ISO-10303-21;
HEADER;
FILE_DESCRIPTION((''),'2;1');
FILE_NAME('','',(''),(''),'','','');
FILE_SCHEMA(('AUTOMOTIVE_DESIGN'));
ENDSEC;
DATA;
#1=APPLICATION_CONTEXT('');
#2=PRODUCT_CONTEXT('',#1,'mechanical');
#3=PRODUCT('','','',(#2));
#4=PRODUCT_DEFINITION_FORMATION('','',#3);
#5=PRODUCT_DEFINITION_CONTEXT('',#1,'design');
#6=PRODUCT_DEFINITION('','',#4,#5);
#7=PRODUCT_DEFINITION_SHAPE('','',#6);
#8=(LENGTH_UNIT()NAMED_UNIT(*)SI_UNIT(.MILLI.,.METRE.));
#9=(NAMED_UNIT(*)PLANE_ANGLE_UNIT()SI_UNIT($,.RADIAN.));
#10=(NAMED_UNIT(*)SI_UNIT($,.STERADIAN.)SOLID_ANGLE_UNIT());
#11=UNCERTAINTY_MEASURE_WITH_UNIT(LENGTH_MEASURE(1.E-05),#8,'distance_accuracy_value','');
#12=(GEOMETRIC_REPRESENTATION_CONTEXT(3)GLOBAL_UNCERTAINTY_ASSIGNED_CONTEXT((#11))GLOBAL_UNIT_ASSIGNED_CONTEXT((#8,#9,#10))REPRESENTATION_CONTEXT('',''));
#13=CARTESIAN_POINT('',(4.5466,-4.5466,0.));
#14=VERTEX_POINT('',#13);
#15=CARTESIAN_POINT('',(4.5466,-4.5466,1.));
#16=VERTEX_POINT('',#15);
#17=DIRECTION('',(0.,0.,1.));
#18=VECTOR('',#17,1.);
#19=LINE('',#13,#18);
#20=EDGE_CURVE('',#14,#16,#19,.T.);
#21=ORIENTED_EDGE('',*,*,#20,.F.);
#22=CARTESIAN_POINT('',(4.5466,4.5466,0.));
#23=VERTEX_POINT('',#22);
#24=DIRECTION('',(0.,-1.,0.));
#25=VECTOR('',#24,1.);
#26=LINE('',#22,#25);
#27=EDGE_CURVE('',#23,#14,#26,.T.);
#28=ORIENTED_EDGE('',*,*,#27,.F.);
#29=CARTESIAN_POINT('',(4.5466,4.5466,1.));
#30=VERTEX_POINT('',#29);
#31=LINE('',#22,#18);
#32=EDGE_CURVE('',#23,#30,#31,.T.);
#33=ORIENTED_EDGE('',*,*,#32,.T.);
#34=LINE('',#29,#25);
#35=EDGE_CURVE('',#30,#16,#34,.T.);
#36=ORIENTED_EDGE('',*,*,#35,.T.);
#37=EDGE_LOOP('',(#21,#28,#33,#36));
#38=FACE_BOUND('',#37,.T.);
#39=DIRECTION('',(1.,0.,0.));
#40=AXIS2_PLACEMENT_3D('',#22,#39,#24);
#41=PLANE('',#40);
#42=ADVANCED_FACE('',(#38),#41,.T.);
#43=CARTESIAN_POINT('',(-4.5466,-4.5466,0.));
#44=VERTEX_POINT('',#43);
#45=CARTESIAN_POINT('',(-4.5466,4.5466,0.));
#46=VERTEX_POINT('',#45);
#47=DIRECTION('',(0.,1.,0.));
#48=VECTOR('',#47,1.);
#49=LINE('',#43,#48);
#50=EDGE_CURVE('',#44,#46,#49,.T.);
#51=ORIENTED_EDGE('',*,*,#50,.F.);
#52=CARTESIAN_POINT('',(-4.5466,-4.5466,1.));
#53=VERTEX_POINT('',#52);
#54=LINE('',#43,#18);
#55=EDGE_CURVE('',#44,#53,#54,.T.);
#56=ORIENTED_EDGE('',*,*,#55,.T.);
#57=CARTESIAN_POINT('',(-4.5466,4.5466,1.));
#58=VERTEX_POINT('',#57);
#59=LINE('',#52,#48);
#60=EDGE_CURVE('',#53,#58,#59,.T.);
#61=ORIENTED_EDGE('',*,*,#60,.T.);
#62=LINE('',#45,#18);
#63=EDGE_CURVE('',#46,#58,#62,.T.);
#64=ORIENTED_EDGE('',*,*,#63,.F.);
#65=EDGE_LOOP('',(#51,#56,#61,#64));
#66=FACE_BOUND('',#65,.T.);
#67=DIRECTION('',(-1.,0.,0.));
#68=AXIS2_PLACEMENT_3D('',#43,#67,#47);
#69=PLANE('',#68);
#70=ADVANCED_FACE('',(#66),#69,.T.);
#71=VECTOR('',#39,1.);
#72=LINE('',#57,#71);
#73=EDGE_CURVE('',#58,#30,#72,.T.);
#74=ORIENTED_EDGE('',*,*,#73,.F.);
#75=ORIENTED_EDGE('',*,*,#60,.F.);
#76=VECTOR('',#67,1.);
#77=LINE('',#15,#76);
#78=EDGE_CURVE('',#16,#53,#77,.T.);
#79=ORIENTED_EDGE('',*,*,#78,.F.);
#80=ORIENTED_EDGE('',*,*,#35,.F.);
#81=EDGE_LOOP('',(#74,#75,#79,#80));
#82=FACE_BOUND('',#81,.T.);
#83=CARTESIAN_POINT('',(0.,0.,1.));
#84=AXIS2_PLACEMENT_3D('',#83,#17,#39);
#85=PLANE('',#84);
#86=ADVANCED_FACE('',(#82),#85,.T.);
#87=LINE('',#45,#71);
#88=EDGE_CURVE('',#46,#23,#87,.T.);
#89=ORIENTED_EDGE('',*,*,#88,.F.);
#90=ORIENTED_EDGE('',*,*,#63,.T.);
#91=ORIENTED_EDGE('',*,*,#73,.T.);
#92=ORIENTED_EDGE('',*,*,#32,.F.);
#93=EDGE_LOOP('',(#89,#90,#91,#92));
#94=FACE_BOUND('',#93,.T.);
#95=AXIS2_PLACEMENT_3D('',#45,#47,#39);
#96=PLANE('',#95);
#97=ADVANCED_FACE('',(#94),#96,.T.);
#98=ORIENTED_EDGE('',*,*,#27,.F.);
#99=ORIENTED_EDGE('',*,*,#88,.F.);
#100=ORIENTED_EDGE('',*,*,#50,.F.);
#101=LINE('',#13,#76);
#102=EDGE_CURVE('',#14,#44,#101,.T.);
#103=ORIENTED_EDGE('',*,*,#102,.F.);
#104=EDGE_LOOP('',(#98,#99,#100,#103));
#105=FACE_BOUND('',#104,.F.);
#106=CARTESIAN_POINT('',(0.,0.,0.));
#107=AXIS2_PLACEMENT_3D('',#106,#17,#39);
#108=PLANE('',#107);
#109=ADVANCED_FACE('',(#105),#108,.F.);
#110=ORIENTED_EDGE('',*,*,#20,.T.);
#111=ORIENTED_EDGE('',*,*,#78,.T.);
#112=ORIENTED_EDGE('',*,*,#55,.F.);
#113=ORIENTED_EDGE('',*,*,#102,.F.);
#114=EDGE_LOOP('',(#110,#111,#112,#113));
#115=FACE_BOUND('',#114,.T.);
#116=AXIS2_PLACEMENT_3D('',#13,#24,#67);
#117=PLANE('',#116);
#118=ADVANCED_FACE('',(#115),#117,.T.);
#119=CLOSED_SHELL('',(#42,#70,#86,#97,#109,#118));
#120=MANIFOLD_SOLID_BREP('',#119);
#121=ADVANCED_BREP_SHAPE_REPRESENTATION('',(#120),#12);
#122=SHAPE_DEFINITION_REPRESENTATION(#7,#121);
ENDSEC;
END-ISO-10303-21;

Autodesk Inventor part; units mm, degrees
ref_plane "YZ Plane" through (0, 0, 0) normal (1, 0, 0) x (0, 1, 0)
ref_plane "XZ Plane" through (0, 0, 0) normal (0, 1, 0) x (-1, 0, 0)
ref_plane "XY Plane" through (0, 0, 0) normal (0, 0, 1) x (1, 0, 0)
sketch "TQFP32-08, MEGA8-AI_19" plane through (0, 0, 0) normal (0, 0, 1) x (1, 0, 0)
  line L0 (-4.5466, 4.5466) -> (4.5466, 4.5466)
  line L1 (4.5466, 4.5466) -> (4.5466, -4.5466)
  line L2 (4.5466, -4.5466) -> (-4.5466, -4.5466)
  line L3 (-4.5466, -4.5466) -> (-4.5466, 4.5466)
extrude "Extrusion1" add sketch "TQFP32-08, MEGA8-AI_19" along normal blind 1
properties part number "MEGA8-AI"
